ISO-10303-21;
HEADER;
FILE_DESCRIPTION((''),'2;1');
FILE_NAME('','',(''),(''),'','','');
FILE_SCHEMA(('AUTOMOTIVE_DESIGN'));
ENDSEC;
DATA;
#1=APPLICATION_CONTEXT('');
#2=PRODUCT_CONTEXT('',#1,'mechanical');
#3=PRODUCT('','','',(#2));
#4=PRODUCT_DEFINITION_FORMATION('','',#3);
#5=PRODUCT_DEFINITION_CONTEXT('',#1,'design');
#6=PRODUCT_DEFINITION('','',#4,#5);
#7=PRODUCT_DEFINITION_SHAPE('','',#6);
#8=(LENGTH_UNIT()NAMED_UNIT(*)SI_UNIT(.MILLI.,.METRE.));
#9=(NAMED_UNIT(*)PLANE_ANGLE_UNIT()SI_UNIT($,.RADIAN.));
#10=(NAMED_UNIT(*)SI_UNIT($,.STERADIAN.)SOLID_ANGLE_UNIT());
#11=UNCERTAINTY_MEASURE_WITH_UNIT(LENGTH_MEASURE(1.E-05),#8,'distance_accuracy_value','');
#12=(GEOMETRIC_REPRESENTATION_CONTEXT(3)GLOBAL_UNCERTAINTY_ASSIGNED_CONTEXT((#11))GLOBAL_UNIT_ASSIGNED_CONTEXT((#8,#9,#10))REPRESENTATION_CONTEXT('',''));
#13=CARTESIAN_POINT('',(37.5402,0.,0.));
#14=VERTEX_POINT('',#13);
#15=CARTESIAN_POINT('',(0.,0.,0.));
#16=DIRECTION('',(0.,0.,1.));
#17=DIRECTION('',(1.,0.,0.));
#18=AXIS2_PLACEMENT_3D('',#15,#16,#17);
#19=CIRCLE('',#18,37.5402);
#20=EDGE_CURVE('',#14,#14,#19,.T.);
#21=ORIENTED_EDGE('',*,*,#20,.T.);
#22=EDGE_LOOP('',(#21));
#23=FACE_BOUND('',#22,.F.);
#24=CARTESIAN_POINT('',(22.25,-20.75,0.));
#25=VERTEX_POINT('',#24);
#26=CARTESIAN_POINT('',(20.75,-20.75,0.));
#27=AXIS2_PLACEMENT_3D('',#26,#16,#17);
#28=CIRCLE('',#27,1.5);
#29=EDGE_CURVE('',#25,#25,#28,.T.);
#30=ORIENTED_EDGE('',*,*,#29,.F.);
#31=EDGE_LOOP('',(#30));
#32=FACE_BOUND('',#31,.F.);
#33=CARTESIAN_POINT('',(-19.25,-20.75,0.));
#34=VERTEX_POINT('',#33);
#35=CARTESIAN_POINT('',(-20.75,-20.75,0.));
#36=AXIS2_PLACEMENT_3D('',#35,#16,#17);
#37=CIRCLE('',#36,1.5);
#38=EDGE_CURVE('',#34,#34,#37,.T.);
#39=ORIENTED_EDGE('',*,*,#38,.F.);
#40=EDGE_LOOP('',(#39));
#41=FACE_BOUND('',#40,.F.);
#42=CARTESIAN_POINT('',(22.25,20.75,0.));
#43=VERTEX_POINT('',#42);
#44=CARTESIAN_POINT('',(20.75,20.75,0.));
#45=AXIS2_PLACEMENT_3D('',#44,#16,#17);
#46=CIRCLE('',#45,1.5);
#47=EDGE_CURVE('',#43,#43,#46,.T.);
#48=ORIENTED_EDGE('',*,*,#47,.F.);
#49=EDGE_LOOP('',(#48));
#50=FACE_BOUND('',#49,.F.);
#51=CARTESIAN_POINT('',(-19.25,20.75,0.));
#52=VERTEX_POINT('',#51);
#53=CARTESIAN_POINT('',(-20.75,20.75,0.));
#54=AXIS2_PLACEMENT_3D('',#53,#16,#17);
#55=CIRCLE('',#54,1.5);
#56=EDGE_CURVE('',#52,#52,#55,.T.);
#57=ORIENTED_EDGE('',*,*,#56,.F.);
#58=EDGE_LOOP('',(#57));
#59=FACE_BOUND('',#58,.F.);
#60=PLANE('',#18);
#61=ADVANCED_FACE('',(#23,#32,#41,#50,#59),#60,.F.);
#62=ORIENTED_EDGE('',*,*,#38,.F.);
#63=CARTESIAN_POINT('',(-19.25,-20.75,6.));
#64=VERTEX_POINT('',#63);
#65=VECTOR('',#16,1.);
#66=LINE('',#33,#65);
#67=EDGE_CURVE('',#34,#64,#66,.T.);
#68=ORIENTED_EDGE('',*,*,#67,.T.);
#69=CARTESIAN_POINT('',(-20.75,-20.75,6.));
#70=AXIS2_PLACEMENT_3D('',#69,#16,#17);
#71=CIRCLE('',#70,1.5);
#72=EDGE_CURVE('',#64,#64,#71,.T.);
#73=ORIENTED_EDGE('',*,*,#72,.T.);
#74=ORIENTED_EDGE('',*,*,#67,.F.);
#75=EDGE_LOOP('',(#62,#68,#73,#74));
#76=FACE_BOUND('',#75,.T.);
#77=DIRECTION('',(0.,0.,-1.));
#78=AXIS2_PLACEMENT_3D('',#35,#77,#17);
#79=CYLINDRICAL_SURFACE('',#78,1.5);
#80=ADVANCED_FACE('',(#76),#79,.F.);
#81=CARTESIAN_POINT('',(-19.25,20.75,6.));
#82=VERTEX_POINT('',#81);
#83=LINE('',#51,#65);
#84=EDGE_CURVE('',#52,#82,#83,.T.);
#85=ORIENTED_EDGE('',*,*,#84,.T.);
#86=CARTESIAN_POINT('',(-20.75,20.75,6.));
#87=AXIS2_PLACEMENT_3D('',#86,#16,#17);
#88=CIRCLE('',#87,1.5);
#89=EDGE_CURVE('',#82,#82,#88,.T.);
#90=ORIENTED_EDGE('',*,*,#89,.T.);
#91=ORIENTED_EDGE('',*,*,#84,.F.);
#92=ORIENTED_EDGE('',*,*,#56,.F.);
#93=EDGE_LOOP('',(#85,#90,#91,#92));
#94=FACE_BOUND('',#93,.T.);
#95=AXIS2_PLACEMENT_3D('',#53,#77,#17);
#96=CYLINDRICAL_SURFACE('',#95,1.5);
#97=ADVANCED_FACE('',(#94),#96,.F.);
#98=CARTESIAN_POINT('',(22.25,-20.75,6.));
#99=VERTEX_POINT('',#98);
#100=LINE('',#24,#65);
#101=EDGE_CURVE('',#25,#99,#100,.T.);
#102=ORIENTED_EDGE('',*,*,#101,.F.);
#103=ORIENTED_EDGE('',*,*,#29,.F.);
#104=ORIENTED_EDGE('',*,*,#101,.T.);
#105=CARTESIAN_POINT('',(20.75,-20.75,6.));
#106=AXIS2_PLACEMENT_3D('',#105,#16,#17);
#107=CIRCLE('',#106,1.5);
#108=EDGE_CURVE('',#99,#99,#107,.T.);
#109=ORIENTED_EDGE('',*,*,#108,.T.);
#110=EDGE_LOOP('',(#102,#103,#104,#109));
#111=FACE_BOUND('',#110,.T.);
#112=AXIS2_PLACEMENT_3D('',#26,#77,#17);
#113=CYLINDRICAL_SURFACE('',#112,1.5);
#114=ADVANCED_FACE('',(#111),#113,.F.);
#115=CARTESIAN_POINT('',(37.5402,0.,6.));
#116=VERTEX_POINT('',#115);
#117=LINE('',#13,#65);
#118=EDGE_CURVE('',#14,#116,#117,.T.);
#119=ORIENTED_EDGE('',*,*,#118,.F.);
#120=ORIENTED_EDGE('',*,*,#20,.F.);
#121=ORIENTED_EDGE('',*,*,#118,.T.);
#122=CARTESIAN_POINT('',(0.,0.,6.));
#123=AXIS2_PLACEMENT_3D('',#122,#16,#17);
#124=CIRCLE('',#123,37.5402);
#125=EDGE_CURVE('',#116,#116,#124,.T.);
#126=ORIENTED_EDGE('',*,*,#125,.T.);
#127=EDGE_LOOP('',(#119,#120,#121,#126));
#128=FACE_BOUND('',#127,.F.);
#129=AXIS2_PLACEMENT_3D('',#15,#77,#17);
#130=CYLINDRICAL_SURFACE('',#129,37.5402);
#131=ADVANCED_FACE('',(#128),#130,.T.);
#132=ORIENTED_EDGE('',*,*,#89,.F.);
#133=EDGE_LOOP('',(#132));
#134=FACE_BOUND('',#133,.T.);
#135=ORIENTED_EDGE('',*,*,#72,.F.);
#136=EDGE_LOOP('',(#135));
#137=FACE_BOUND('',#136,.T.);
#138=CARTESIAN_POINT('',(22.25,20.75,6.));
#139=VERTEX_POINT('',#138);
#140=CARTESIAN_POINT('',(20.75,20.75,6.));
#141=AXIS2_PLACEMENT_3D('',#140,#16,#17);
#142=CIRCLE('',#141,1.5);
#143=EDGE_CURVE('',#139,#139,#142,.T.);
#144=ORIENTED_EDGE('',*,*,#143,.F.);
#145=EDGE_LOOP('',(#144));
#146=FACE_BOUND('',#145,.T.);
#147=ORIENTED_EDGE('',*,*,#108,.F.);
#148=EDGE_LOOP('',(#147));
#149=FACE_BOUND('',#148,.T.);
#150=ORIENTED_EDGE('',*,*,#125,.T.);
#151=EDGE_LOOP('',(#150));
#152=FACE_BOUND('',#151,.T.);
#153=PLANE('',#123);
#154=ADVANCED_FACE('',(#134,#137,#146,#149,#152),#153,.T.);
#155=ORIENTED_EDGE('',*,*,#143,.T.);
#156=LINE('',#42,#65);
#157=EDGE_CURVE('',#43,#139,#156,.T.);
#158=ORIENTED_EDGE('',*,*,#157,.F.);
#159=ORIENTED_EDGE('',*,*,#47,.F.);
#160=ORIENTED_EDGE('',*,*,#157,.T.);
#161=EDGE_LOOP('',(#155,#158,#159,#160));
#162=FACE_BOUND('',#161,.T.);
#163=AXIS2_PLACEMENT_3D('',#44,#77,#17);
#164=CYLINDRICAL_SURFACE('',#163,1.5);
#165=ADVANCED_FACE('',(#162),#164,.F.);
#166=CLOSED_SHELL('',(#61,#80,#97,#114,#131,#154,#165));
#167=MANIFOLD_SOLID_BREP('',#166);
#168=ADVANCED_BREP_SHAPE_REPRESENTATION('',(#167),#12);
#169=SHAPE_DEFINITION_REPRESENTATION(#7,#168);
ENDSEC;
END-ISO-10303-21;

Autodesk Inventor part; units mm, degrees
ref_plane "YZ Plane" through (0, 0, 0) normal (1, 0, 0) x (0, 1, 0)
ref_plane "XZ Plane" through (0, 0, 0) normal (0, 1, 0) x (-1, 0, 0)
ref_plane "XY Plane" through (0, 0, 0) normal (0, 0, 1) x (1, 0, 0)
ref_plane "Work Plane1" through (0, 0, 0) normal (0, 0, 1) x (1, 0, 0)
sketch "Sketch1" plane through (0, 0, 0) normal (0, 0, 1) x (1, 0, 0)
  circle A0 centre (-20.75, 20.75) radius 1.5
  circle A1 centre (-20.75, -20.75) radius 1.5
  circle A2 centre (20.75, 20.75) radius 1.5
  circle A3 centre (20.75, -20.75) radius 1.5
  circle A4 centre (0, 0) radius 37.5402
extrude "Plate1" add sketch "Sketch1" along normal blind 6
equation "\"d0\" = Thickness"
equation "\"BendRadius\" = Thickness"
equation "\"BendReliefWidth\" = Thickness"
equation "\"BendReliefDepth\" = 0.5 * Thickness"
equation "\"CornerReliefSize\" = 4 * Thickness"
equation "\"MinimumRemnant\" = 2 * Thickness"
equation "\"TransitionRadius\" = BendRadius"
equation "\"JacobiRadiusSize\" = BendRadius"
equation "\"GapSize\" = Thickness"
equation "\"Thickness\" = 6"
properties part number "spacer lidar" material "Wood (Birch)"
